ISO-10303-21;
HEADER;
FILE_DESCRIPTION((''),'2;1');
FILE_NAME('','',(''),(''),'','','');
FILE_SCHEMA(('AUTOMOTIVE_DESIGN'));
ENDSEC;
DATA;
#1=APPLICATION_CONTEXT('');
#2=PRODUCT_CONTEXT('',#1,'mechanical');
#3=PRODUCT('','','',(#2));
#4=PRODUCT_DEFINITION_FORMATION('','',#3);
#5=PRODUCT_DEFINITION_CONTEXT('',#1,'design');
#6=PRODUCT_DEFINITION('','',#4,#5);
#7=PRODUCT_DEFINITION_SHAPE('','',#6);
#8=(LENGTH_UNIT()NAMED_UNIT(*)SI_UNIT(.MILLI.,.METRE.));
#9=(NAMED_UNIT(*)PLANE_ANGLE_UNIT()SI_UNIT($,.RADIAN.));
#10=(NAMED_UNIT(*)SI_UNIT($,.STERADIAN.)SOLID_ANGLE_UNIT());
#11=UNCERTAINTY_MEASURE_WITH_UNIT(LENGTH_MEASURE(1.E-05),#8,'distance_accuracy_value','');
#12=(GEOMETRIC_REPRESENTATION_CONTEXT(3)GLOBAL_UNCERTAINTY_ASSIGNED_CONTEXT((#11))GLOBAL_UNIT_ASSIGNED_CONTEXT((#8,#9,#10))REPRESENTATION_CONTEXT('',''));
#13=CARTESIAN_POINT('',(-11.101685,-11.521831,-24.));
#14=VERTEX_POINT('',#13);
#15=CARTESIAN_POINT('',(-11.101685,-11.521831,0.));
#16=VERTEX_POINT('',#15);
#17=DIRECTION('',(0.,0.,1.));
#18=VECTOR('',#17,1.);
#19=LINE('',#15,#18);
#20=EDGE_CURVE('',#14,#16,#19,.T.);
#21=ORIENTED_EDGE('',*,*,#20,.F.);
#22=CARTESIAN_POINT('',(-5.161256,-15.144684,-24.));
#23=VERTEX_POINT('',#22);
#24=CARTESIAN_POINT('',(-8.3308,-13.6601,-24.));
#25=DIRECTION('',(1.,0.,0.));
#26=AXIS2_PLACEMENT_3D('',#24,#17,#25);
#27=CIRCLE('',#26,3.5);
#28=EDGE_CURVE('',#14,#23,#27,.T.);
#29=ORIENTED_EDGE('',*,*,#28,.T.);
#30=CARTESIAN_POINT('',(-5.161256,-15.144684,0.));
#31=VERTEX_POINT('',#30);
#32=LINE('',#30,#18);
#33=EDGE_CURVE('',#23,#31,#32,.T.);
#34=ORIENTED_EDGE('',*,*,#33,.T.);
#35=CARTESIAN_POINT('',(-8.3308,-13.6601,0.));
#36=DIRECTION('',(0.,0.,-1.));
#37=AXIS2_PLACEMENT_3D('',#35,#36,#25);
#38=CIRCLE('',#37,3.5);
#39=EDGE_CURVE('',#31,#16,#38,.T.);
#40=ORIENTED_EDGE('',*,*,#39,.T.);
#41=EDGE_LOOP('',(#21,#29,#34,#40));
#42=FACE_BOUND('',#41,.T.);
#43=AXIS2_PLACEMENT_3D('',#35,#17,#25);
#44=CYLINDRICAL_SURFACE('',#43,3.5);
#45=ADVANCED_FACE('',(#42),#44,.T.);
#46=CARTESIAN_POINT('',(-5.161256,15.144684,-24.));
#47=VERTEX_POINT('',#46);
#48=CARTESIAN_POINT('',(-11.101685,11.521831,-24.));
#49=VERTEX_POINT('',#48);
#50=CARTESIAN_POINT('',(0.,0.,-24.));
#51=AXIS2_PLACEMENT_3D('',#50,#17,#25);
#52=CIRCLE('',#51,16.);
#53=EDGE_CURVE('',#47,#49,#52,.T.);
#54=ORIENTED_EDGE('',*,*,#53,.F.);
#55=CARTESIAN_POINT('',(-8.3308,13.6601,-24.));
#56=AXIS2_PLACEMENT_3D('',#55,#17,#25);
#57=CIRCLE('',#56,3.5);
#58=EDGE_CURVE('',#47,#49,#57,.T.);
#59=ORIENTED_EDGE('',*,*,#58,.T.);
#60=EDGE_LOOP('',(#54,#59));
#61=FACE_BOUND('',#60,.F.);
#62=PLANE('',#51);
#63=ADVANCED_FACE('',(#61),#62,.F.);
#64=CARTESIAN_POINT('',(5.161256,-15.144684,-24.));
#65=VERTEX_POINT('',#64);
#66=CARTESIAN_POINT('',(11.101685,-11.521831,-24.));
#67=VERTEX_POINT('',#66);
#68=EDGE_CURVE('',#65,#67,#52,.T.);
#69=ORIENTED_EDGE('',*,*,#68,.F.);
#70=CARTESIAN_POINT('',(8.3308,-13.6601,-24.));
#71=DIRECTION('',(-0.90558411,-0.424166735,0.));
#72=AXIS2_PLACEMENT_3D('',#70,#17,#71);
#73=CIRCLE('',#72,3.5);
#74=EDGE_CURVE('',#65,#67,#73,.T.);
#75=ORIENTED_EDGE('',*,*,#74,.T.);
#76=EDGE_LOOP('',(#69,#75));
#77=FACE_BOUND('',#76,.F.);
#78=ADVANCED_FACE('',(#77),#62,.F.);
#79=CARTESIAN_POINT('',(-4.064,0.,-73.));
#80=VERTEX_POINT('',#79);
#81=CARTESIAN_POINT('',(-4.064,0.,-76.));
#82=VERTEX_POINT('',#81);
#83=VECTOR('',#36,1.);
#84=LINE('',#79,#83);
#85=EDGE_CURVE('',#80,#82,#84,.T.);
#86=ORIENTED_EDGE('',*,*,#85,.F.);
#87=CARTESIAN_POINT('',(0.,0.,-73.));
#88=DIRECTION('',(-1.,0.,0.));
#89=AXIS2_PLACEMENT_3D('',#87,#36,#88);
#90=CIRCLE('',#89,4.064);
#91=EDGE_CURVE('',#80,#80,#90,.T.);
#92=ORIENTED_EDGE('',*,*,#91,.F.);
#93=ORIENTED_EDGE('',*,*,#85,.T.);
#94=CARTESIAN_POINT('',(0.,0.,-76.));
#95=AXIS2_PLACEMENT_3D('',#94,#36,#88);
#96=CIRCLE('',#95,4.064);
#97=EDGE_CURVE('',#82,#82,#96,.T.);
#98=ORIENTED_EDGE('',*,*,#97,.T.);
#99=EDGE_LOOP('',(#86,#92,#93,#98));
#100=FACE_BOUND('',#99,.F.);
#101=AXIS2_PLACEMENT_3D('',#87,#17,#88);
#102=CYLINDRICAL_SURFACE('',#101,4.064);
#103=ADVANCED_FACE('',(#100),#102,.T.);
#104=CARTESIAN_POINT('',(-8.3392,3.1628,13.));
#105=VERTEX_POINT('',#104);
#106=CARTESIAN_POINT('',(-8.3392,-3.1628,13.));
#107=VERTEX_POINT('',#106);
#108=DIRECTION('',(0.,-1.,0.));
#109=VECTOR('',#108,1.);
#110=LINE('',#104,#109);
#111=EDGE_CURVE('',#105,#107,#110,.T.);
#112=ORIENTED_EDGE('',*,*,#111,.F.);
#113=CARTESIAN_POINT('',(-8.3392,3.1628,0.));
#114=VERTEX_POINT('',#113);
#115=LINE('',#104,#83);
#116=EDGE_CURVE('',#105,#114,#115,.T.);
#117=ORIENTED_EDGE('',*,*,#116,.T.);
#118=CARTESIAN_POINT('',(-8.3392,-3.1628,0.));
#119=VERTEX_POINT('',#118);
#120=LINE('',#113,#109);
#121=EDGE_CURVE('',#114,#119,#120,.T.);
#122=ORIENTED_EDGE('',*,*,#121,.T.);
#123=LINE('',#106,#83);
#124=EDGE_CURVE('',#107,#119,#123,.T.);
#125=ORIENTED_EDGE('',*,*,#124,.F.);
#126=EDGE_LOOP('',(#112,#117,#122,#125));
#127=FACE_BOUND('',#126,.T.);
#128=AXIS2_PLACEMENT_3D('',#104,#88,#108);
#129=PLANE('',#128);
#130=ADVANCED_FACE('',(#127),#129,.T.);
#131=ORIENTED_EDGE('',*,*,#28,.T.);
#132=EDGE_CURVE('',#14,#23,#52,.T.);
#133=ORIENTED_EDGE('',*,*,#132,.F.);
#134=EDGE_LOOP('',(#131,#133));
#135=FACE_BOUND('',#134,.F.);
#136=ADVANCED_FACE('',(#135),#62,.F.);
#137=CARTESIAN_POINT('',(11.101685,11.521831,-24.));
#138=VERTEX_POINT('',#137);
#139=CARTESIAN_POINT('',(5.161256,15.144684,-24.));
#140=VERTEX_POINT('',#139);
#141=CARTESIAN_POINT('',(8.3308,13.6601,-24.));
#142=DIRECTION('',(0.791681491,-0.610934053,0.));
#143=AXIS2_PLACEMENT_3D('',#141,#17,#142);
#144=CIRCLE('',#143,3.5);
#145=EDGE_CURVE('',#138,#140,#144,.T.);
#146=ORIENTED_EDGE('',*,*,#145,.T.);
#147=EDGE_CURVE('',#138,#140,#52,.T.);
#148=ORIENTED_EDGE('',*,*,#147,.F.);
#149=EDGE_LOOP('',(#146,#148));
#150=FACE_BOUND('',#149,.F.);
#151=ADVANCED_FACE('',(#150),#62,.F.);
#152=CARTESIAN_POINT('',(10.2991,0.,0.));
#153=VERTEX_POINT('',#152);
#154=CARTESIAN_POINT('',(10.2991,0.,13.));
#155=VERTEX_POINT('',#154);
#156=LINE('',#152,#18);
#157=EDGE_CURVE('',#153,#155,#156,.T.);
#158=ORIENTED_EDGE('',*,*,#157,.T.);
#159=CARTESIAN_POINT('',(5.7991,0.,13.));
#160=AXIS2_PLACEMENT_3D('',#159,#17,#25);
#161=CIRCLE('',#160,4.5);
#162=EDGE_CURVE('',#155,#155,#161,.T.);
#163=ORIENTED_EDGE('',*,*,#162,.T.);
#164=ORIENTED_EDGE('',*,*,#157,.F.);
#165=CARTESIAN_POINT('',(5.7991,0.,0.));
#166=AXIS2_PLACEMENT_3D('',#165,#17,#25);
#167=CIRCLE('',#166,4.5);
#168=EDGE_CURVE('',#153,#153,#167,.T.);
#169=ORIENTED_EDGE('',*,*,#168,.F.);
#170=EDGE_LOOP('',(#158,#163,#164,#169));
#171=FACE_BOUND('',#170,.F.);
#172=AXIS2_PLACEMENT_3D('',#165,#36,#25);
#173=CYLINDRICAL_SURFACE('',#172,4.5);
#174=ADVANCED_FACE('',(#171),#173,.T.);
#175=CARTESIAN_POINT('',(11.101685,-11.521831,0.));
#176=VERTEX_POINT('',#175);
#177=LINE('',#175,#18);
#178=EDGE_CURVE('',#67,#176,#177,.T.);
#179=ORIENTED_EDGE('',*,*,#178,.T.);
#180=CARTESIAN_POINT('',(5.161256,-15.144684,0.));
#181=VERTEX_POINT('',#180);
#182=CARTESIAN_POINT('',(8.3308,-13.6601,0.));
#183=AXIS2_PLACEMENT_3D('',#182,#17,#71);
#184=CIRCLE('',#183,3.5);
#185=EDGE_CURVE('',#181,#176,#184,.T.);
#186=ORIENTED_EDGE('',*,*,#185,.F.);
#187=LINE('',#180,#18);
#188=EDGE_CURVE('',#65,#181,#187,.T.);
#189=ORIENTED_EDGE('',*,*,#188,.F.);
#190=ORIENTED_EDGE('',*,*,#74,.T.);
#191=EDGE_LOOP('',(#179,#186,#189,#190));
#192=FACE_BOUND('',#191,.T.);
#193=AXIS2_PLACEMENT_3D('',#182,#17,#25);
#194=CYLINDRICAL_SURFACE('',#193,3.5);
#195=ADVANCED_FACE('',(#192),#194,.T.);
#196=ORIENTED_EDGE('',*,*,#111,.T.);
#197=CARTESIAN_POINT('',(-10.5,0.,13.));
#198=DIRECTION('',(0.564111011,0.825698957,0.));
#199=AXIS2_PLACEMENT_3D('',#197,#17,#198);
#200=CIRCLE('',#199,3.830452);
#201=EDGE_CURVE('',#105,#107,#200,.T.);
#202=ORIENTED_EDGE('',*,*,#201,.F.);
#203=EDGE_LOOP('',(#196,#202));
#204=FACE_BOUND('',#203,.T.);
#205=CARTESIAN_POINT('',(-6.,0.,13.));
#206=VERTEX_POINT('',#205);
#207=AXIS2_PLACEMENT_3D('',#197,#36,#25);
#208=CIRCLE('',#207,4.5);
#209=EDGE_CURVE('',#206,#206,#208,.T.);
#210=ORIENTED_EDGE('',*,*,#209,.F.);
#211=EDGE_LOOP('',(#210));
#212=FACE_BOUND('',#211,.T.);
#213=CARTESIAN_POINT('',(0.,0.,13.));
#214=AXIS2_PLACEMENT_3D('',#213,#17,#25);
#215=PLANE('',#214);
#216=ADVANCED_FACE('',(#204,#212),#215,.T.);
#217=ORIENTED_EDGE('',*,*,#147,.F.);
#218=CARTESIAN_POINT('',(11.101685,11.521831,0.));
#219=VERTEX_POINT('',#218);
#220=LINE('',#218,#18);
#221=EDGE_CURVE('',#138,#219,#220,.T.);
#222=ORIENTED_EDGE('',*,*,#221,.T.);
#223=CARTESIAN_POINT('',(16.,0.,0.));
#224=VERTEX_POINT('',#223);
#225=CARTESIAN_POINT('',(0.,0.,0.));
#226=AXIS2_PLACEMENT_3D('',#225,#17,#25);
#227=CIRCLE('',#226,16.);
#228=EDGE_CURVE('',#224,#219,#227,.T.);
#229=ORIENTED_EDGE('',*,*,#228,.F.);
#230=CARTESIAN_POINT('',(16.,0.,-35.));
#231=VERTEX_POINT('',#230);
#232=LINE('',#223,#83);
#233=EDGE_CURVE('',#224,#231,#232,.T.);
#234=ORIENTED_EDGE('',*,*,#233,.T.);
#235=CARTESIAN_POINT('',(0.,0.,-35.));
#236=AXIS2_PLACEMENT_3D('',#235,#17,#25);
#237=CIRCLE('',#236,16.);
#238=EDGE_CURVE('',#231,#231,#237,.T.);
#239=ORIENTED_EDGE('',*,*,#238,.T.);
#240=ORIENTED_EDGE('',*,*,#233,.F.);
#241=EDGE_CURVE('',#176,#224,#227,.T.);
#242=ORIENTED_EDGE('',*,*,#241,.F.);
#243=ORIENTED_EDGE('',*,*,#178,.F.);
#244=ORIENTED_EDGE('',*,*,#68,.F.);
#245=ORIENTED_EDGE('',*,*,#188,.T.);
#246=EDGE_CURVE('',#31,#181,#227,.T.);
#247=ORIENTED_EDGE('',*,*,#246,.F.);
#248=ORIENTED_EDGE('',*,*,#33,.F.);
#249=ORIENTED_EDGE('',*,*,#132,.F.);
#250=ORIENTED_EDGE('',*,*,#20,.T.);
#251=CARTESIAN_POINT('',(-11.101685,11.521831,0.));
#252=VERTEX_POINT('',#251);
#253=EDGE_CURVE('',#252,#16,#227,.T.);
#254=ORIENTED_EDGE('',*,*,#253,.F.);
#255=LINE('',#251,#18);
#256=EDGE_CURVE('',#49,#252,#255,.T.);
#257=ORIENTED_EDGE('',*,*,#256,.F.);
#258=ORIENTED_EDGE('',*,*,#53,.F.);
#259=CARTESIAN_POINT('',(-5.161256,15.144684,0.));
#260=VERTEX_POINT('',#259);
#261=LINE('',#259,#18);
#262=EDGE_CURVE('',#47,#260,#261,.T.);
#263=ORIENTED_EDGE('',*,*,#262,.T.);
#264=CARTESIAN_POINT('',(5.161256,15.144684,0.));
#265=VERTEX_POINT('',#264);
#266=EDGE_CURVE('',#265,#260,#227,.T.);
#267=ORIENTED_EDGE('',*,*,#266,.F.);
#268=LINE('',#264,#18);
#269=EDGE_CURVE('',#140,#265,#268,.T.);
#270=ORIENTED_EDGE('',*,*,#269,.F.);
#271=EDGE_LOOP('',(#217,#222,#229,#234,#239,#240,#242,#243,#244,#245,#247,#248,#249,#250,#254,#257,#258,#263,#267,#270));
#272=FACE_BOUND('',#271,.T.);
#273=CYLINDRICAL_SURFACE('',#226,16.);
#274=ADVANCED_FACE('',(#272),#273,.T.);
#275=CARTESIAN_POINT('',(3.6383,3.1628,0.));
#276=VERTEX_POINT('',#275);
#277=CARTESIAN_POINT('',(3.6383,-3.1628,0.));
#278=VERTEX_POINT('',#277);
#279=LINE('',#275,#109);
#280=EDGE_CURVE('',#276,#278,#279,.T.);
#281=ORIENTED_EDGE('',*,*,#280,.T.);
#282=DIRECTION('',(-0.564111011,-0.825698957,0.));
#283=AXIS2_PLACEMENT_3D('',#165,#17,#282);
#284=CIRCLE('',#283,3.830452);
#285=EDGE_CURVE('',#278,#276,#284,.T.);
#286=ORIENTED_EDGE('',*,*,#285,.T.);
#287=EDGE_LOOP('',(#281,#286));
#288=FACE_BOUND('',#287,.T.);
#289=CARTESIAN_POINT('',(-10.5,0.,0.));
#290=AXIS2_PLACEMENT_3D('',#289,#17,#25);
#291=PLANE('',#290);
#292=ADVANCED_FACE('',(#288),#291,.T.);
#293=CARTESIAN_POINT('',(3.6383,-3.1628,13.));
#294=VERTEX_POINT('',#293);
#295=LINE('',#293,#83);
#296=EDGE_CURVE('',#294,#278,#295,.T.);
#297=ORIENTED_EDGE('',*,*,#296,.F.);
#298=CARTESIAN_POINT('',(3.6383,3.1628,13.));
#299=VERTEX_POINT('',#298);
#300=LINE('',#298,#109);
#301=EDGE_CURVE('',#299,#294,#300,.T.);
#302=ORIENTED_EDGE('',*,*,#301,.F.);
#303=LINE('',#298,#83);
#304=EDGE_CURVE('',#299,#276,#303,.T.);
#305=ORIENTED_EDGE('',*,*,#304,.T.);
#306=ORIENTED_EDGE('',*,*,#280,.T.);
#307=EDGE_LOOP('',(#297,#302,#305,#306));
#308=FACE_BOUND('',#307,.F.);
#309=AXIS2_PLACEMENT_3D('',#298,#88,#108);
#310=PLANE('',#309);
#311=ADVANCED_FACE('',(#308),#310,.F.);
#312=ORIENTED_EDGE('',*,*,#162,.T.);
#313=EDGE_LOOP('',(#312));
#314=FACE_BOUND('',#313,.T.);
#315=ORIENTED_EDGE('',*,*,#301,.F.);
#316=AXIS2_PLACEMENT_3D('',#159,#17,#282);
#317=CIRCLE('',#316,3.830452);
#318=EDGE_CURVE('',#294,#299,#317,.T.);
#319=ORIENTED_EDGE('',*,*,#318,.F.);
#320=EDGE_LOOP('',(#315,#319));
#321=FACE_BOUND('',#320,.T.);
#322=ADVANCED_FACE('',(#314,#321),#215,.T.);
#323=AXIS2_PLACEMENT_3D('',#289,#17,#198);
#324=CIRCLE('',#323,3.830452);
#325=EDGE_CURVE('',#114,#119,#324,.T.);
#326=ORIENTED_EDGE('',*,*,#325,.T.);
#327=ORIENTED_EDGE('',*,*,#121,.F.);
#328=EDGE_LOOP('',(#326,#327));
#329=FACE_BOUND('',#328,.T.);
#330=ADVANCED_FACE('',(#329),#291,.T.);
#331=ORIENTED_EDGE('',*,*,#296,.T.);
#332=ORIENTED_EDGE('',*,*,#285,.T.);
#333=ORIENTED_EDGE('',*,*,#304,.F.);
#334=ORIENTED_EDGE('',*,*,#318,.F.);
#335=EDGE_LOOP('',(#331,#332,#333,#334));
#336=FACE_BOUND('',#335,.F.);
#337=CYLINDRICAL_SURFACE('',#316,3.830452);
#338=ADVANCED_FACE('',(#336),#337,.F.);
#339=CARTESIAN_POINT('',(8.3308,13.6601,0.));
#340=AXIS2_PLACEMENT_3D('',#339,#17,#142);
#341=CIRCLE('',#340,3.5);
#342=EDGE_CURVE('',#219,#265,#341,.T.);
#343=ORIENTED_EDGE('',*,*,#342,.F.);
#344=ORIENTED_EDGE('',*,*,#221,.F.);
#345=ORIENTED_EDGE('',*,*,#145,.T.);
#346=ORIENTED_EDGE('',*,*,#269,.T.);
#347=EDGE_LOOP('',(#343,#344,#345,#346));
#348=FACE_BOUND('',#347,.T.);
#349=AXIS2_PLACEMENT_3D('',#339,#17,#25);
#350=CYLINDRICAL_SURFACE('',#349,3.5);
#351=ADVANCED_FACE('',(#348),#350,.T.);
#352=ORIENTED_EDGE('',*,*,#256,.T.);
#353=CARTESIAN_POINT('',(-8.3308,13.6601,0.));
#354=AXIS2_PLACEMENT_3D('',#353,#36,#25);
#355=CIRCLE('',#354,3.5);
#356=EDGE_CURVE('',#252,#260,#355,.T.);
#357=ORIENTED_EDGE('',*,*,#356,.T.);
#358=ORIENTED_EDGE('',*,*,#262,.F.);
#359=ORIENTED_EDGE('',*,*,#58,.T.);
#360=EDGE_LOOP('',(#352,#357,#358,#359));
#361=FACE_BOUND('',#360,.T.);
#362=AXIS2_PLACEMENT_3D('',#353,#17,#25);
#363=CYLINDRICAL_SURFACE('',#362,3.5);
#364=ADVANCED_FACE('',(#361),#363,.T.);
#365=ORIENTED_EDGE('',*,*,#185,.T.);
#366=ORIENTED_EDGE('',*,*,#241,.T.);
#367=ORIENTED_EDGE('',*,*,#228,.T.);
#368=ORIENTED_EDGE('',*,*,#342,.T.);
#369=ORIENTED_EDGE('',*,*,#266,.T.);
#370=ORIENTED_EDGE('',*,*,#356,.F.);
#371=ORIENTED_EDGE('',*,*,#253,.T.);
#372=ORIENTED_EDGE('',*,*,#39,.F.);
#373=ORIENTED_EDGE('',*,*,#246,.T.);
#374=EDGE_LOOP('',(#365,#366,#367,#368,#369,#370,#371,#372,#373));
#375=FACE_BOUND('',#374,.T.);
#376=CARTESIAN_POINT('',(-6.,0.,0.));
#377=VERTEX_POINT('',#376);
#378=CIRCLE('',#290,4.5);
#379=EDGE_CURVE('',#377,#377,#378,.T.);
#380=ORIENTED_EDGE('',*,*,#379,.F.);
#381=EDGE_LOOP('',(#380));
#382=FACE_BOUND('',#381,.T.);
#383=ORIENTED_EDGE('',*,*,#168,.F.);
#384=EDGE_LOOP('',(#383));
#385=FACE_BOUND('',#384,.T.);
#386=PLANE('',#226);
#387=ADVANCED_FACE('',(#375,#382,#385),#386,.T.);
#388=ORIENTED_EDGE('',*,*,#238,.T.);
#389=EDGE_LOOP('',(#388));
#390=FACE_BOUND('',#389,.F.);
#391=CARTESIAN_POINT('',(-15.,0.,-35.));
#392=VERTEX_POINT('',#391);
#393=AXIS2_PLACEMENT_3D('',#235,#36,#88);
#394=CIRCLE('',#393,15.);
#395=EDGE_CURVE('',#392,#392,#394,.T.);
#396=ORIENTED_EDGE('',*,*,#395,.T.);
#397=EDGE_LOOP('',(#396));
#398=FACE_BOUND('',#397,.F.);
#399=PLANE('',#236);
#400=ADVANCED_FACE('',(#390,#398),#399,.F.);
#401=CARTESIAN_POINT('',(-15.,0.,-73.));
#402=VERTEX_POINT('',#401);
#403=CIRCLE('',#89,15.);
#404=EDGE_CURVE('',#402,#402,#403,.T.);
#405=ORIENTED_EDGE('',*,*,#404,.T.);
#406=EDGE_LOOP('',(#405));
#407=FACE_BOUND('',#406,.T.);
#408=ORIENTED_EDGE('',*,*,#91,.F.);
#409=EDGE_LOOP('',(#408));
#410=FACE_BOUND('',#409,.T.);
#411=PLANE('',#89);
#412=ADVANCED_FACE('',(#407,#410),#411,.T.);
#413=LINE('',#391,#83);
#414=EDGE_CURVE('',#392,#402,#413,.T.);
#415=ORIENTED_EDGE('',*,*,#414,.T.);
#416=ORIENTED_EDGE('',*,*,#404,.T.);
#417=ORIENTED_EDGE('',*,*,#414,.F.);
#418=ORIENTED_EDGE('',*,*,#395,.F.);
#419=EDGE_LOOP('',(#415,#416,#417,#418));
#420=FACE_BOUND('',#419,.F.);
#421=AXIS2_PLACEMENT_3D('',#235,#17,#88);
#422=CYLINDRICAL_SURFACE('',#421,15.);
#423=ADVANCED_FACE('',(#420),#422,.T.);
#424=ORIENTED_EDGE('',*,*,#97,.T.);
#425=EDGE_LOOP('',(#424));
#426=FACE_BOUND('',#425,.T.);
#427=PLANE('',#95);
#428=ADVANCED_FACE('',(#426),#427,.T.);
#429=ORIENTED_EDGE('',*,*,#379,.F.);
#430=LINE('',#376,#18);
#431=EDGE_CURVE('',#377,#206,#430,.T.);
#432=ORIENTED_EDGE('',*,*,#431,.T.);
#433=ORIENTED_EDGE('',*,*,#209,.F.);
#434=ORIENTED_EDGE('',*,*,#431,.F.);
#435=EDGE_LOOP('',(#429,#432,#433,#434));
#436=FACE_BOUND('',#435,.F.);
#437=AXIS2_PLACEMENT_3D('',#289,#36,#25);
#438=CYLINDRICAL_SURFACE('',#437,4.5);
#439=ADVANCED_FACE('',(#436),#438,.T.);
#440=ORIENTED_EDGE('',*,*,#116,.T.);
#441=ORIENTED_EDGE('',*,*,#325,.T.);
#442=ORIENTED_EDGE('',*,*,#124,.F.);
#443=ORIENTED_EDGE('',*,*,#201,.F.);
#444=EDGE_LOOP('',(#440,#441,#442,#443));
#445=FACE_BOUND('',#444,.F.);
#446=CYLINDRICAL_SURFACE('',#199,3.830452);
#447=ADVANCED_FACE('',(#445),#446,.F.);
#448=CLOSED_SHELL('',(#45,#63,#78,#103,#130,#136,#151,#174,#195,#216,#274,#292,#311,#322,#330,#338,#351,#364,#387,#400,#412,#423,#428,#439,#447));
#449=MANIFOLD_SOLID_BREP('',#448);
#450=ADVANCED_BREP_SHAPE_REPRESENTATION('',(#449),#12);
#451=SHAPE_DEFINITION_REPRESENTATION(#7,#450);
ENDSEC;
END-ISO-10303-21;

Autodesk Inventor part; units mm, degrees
ref_plane "YZ Plane" through (0, 0, 0) normal (1, 0, 0) x (0, 1, 0)
ref_plane "XZ Plane" through (0, 0, 0) normal (0, 1, 0) x (-1, 0, 0)
ref_plane "XY Plane" through (0, 0, 0) normal (0, 0, 1) x (1, 0, 0)
sketch "Sketch1" plane through (0, 0, 0) normal (0, 0, 1) x (1, 0, 0)
  circle A0 centre (0, 0) radius 16
  dimension "d0" = 32
extrude "Extrusion1" add sketch "Sketch1" against normal blind 35
sketch "Sketch2" plane through (0, 0, -35) normal (0, 0, -1) x (-1, 0, 0)
  circle A0 centre (0, 0) radius 15
  dimension "d3" = 30
extrude "Extrusion2" add sketch "Sketch2" along normal blind 38
sketch "Sketch3" plane through (0, 0, -73) normal (0, 0, -1) x (-1, 0, 0)
  circle A0 centre (0, 0) radius 4.064
extrude "Extrusion3" add sketch "Sketch3" along normal blind 3
sketch "Sketch4" plane through (0, 0, 0) normal (0, 0, 1) x (1, 0, 0)
  point P0 (0, 0)
sketch "Sketch5" plane through (0, 0, 0) normal (0, 0, 1) x (1, 0, 0)
  circle A0 centre (-10.5, 0) radius 4.5
  circle A1 centre (0, 0) radius 15 projected
  circle A2 centre (5.7991, 0) radius 4.5
  dimension "d8" = 9
extrude "Extrusion4" add sketch "Sketch5" along normal blind 13 contours A0 | A2
sketch "Sketch6" plane through (-10.5, 0, 13) normal (0, 0, 1) x (1, 0, 0)
  arc A0 (2.1608, 3.1628) -> (2.1608, -3.1628) centre (0, 0) ccw
  circle A1 centre (16.2991, 0) radius 4.5 projected
  arc A2 (14.1383, -3.1628) -> (14.1383, 3.1628) centre (16.2991, 0) ccw
  circle A3 centre (0, 0) radius 4.5 projected
  line L0 (14.1383, 3.1628) -> (14.1383, -3.1628)
  line L1 (2.1608, 3.1628) -> (2.1608, -3.1628)
  point P0 (10.5, 0)
extrude "Extrusion5" cut sketch "Sketch6" against normal blind 13 contours L1 A0 | L0 A2
sketch "Sketch7" plane through (0, 0, 0) normal (0, 0, 1) x (1, 0, 0)
  circle A0 centre (0, 0) radius 16 projected
  circle A1 centre (-8.3308, 13.6601) radius 3.5
  line L0 (0, -22.632) -> (0, 23.7921) projected
  circle A2 centre (8.3308, 13.6601) radius 3.5
  line L1 (-22.4, 0) -> (22.4, 0) projected
  circle A3 centre (-8.3308, -13.6601) radius 3.5
  circle A4 centre (8.3308, -13.6601) radius 3.5
  dimension "d14" = 7
extrude "Extrusion6" add sketch "Sketch7" against normal blind 24 contours A2 A0 | A0 A2 | A4 A0 | A0 A4 | A3 A0 | A0 A3 | A1 A0 | A0 A1
properties part number "pump"
